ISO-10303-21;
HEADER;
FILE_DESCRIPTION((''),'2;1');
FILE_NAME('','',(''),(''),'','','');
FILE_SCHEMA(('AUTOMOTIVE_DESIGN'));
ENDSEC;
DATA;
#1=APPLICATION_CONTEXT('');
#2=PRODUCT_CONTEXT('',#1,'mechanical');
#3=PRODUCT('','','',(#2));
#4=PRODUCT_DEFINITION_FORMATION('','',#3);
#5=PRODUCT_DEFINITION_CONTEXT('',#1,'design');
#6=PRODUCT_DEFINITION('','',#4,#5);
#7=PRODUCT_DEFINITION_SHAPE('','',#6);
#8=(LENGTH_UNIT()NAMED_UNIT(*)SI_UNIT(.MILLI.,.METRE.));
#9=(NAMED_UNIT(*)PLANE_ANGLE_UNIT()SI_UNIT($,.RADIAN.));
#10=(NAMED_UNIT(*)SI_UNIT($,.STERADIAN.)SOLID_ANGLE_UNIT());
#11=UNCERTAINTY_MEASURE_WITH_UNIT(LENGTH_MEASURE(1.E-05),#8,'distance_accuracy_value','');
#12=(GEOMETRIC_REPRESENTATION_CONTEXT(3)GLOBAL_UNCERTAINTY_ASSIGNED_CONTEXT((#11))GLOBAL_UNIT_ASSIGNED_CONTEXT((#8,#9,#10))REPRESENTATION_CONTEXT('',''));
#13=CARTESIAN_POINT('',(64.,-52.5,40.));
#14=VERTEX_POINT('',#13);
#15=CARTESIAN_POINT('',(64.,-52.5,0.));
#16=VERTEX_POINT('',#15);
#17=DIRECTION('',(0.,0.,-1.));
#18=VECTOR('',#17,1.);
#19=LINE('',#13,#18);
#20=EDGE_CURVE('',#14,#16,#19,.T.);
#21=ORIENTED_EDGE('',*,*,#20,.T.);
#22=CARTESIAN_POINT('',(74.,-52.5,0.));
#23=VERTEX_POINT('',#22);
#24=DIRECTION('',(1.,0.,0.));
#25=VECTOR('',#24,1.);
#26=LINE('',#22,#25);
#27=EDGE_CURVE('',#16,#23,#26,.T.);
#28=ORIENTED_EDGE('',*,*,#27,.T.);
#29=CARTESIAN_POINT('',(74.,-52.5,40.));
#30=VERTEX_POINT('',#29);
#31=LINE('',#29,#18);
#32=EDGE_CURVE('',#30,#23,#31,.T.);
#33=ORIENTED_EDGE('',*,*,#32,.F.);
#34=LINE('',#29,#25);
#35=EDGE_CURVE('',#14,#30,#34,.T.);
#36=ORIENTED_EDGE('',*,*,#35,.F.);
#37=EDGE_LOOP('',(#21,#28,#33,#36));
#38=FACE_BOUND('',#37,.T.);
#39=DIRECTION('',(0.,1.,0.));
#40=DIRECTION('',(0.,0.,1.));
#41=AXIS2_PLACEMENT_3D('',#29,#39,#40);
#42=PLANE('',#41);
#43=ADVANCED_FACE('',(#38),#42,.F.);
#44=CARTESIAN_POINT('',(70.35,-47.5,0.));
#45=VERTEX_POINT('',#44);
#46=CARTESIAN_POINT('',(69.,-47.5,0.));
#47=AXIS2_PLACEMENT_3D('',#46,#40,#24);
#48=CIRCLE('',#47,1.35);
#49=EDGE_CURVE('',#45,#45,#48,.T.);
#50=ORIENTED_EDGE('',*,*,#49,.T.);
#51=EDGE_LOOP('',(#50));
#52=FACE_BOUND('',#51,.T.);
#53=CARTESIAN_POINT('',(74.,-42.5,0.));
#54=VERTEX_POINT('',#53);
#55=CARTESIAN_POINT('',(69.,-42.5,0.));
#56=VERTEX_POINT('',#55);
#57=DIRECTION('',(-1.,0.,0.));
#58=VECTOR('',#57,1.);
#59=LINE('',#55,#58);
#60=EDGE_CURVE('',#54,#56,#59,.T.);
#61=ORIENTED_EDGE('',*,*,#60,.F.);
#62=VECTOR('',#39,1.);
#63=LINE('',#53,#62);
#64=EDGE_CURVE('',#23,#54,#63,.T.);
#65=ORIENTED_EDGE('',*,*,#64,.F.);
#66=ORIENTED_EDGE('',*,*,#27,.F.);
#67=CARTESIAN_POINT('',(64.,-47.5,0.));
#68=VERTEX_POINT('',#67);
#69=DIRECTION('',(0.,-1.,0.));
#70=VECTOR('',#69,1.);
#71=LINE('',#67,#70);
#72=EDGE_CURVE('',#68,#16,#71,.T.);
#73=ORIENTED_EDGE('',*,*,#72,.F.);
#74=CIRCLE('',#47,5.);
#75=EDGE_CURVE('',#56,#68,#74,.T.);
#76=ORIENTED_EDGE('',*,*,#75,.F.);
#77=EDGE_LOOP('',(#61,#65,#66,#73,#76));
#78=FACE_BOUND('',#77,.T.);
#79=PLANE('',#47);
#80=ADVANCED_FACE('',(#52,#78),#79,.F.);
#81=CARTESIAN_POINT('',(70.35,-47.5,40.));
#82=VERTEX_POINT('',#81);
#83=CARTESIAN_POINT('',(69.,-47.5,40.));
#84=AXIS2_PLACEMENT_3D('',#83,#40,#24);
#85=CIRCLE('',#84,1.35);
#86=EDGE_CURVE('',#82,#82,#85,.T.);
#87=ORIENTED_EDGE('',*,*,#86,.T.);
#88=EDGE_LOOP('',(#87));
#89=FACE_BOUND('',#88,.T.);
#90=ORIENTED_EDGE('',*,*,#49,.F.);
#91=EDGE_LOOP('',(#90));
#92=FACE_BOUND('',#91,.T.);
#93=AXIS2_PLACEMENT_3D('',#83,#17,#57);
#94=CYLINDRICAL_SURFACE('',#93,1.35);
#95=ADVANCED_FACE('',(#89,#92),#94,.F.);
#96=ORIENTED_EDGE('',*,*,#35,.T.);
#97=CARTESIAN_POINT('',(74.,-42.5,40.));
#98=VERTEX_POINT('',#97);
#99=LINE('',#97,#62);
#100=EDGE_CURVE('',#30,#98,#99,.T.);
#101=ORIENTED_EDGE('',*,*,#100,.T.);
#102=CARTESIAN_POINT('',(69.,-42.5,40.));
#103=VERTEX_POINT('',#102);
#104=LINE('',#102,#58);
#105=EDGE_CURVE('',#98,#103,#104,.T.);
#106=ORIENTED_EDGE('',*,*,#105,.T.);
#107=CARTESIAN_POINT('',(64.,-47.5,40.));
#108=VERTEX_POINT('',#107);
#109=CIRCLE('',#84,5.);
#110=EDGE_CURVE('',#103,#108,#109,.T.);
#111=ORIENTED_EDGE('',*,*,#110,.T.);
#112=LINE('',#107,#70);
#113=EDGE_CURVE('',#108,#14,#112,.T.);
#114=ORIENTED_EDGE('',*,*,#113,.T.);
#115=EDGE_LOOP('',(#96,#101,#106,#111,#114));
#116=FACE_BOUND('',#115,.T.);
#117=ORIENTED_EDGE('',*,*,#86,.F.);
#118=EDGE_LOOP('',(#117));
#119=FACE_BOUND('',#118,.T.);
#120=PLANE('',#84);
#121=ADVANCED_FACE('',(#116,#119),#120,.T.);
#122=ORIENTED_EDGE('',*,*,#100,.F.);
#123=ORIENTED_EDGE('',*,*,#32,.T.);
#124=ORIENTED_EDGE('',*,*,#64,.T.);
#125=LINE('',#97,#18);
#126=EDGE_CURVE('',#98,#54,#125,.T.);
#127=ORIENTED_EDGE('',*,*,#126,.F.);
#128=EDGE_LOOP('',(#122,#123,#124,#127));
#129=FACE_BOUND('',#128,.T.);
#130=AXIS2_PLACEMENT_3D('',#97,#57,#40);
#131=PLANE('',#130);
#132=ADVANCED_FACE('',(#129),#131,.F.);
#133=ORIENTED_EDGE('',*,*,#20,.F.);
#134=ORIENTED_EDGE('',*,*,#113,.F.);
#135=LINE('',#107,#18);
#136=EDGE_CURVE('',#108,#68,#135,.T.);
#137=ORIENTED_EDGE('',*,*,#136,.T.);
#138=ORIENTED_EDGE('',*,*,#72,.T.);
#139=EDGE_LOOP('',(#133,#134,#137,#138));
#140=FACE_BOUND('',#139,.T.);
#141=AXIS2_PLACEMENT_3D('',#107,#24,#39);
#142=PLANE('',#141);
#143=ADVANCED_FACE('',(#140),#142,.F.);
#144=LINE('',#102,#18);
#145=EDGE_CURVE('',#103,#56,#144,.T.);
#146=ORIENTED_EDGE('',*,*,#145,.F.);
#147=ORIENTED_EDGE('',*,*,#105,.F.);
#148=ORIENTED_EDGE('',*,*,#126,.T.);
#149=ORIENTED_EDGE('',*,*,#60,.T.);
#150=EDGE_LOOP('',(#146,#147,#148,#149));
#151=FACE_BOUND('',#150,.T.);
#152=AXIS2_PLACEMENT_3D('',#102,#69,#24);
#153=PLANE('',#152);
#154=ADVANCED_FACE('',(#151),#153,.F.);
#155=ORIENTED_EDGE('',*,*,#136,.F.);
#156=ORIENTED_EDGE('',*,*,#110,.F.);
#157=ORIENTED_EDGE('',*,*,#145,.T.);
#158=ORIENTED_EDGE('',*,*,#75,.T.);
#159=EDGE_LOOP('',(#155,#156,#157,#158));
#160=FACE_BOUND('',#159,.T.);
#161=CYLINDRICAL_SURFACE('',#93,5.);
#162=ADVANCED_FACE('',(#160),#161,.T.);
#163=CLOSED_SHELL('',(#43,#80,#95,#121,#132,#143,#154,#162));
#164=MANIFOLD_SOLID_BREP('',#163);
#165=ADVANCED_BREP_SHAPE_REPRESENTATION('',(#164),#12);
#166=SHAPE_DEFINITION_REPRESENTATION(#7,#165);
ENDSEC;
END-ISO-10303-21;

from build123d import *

# Parameters (mm, degrees)
SKETCH1_R           = 1.35
BOSS_EXTRUDE1_DEPTH = 40


with BuildPart() as part:
    # Sketch1 → Boss-Extrude1 (new body)
    with BuildSketch(Plane.XY):
        with BuildLine():
            Line((69, -42.5), (74, -42.5))
            Line((74, -42.5), (74, -52.5))
            Line((74, -52.5), (64, -52.5))
            Line((64, -52.5), (64, -47.5))
            ThreePointArc((64, -47.5), (65.464466094, -43.964466094), (69, -42.5))
        make_face()
        with Locations((69, -47.5)):
            Circle(SKETCH1_R, mode=Mode.SUBTRACT)
    extrude(amount=BOSS_EXTRUDE1_DEPTH)


solid = part.part
